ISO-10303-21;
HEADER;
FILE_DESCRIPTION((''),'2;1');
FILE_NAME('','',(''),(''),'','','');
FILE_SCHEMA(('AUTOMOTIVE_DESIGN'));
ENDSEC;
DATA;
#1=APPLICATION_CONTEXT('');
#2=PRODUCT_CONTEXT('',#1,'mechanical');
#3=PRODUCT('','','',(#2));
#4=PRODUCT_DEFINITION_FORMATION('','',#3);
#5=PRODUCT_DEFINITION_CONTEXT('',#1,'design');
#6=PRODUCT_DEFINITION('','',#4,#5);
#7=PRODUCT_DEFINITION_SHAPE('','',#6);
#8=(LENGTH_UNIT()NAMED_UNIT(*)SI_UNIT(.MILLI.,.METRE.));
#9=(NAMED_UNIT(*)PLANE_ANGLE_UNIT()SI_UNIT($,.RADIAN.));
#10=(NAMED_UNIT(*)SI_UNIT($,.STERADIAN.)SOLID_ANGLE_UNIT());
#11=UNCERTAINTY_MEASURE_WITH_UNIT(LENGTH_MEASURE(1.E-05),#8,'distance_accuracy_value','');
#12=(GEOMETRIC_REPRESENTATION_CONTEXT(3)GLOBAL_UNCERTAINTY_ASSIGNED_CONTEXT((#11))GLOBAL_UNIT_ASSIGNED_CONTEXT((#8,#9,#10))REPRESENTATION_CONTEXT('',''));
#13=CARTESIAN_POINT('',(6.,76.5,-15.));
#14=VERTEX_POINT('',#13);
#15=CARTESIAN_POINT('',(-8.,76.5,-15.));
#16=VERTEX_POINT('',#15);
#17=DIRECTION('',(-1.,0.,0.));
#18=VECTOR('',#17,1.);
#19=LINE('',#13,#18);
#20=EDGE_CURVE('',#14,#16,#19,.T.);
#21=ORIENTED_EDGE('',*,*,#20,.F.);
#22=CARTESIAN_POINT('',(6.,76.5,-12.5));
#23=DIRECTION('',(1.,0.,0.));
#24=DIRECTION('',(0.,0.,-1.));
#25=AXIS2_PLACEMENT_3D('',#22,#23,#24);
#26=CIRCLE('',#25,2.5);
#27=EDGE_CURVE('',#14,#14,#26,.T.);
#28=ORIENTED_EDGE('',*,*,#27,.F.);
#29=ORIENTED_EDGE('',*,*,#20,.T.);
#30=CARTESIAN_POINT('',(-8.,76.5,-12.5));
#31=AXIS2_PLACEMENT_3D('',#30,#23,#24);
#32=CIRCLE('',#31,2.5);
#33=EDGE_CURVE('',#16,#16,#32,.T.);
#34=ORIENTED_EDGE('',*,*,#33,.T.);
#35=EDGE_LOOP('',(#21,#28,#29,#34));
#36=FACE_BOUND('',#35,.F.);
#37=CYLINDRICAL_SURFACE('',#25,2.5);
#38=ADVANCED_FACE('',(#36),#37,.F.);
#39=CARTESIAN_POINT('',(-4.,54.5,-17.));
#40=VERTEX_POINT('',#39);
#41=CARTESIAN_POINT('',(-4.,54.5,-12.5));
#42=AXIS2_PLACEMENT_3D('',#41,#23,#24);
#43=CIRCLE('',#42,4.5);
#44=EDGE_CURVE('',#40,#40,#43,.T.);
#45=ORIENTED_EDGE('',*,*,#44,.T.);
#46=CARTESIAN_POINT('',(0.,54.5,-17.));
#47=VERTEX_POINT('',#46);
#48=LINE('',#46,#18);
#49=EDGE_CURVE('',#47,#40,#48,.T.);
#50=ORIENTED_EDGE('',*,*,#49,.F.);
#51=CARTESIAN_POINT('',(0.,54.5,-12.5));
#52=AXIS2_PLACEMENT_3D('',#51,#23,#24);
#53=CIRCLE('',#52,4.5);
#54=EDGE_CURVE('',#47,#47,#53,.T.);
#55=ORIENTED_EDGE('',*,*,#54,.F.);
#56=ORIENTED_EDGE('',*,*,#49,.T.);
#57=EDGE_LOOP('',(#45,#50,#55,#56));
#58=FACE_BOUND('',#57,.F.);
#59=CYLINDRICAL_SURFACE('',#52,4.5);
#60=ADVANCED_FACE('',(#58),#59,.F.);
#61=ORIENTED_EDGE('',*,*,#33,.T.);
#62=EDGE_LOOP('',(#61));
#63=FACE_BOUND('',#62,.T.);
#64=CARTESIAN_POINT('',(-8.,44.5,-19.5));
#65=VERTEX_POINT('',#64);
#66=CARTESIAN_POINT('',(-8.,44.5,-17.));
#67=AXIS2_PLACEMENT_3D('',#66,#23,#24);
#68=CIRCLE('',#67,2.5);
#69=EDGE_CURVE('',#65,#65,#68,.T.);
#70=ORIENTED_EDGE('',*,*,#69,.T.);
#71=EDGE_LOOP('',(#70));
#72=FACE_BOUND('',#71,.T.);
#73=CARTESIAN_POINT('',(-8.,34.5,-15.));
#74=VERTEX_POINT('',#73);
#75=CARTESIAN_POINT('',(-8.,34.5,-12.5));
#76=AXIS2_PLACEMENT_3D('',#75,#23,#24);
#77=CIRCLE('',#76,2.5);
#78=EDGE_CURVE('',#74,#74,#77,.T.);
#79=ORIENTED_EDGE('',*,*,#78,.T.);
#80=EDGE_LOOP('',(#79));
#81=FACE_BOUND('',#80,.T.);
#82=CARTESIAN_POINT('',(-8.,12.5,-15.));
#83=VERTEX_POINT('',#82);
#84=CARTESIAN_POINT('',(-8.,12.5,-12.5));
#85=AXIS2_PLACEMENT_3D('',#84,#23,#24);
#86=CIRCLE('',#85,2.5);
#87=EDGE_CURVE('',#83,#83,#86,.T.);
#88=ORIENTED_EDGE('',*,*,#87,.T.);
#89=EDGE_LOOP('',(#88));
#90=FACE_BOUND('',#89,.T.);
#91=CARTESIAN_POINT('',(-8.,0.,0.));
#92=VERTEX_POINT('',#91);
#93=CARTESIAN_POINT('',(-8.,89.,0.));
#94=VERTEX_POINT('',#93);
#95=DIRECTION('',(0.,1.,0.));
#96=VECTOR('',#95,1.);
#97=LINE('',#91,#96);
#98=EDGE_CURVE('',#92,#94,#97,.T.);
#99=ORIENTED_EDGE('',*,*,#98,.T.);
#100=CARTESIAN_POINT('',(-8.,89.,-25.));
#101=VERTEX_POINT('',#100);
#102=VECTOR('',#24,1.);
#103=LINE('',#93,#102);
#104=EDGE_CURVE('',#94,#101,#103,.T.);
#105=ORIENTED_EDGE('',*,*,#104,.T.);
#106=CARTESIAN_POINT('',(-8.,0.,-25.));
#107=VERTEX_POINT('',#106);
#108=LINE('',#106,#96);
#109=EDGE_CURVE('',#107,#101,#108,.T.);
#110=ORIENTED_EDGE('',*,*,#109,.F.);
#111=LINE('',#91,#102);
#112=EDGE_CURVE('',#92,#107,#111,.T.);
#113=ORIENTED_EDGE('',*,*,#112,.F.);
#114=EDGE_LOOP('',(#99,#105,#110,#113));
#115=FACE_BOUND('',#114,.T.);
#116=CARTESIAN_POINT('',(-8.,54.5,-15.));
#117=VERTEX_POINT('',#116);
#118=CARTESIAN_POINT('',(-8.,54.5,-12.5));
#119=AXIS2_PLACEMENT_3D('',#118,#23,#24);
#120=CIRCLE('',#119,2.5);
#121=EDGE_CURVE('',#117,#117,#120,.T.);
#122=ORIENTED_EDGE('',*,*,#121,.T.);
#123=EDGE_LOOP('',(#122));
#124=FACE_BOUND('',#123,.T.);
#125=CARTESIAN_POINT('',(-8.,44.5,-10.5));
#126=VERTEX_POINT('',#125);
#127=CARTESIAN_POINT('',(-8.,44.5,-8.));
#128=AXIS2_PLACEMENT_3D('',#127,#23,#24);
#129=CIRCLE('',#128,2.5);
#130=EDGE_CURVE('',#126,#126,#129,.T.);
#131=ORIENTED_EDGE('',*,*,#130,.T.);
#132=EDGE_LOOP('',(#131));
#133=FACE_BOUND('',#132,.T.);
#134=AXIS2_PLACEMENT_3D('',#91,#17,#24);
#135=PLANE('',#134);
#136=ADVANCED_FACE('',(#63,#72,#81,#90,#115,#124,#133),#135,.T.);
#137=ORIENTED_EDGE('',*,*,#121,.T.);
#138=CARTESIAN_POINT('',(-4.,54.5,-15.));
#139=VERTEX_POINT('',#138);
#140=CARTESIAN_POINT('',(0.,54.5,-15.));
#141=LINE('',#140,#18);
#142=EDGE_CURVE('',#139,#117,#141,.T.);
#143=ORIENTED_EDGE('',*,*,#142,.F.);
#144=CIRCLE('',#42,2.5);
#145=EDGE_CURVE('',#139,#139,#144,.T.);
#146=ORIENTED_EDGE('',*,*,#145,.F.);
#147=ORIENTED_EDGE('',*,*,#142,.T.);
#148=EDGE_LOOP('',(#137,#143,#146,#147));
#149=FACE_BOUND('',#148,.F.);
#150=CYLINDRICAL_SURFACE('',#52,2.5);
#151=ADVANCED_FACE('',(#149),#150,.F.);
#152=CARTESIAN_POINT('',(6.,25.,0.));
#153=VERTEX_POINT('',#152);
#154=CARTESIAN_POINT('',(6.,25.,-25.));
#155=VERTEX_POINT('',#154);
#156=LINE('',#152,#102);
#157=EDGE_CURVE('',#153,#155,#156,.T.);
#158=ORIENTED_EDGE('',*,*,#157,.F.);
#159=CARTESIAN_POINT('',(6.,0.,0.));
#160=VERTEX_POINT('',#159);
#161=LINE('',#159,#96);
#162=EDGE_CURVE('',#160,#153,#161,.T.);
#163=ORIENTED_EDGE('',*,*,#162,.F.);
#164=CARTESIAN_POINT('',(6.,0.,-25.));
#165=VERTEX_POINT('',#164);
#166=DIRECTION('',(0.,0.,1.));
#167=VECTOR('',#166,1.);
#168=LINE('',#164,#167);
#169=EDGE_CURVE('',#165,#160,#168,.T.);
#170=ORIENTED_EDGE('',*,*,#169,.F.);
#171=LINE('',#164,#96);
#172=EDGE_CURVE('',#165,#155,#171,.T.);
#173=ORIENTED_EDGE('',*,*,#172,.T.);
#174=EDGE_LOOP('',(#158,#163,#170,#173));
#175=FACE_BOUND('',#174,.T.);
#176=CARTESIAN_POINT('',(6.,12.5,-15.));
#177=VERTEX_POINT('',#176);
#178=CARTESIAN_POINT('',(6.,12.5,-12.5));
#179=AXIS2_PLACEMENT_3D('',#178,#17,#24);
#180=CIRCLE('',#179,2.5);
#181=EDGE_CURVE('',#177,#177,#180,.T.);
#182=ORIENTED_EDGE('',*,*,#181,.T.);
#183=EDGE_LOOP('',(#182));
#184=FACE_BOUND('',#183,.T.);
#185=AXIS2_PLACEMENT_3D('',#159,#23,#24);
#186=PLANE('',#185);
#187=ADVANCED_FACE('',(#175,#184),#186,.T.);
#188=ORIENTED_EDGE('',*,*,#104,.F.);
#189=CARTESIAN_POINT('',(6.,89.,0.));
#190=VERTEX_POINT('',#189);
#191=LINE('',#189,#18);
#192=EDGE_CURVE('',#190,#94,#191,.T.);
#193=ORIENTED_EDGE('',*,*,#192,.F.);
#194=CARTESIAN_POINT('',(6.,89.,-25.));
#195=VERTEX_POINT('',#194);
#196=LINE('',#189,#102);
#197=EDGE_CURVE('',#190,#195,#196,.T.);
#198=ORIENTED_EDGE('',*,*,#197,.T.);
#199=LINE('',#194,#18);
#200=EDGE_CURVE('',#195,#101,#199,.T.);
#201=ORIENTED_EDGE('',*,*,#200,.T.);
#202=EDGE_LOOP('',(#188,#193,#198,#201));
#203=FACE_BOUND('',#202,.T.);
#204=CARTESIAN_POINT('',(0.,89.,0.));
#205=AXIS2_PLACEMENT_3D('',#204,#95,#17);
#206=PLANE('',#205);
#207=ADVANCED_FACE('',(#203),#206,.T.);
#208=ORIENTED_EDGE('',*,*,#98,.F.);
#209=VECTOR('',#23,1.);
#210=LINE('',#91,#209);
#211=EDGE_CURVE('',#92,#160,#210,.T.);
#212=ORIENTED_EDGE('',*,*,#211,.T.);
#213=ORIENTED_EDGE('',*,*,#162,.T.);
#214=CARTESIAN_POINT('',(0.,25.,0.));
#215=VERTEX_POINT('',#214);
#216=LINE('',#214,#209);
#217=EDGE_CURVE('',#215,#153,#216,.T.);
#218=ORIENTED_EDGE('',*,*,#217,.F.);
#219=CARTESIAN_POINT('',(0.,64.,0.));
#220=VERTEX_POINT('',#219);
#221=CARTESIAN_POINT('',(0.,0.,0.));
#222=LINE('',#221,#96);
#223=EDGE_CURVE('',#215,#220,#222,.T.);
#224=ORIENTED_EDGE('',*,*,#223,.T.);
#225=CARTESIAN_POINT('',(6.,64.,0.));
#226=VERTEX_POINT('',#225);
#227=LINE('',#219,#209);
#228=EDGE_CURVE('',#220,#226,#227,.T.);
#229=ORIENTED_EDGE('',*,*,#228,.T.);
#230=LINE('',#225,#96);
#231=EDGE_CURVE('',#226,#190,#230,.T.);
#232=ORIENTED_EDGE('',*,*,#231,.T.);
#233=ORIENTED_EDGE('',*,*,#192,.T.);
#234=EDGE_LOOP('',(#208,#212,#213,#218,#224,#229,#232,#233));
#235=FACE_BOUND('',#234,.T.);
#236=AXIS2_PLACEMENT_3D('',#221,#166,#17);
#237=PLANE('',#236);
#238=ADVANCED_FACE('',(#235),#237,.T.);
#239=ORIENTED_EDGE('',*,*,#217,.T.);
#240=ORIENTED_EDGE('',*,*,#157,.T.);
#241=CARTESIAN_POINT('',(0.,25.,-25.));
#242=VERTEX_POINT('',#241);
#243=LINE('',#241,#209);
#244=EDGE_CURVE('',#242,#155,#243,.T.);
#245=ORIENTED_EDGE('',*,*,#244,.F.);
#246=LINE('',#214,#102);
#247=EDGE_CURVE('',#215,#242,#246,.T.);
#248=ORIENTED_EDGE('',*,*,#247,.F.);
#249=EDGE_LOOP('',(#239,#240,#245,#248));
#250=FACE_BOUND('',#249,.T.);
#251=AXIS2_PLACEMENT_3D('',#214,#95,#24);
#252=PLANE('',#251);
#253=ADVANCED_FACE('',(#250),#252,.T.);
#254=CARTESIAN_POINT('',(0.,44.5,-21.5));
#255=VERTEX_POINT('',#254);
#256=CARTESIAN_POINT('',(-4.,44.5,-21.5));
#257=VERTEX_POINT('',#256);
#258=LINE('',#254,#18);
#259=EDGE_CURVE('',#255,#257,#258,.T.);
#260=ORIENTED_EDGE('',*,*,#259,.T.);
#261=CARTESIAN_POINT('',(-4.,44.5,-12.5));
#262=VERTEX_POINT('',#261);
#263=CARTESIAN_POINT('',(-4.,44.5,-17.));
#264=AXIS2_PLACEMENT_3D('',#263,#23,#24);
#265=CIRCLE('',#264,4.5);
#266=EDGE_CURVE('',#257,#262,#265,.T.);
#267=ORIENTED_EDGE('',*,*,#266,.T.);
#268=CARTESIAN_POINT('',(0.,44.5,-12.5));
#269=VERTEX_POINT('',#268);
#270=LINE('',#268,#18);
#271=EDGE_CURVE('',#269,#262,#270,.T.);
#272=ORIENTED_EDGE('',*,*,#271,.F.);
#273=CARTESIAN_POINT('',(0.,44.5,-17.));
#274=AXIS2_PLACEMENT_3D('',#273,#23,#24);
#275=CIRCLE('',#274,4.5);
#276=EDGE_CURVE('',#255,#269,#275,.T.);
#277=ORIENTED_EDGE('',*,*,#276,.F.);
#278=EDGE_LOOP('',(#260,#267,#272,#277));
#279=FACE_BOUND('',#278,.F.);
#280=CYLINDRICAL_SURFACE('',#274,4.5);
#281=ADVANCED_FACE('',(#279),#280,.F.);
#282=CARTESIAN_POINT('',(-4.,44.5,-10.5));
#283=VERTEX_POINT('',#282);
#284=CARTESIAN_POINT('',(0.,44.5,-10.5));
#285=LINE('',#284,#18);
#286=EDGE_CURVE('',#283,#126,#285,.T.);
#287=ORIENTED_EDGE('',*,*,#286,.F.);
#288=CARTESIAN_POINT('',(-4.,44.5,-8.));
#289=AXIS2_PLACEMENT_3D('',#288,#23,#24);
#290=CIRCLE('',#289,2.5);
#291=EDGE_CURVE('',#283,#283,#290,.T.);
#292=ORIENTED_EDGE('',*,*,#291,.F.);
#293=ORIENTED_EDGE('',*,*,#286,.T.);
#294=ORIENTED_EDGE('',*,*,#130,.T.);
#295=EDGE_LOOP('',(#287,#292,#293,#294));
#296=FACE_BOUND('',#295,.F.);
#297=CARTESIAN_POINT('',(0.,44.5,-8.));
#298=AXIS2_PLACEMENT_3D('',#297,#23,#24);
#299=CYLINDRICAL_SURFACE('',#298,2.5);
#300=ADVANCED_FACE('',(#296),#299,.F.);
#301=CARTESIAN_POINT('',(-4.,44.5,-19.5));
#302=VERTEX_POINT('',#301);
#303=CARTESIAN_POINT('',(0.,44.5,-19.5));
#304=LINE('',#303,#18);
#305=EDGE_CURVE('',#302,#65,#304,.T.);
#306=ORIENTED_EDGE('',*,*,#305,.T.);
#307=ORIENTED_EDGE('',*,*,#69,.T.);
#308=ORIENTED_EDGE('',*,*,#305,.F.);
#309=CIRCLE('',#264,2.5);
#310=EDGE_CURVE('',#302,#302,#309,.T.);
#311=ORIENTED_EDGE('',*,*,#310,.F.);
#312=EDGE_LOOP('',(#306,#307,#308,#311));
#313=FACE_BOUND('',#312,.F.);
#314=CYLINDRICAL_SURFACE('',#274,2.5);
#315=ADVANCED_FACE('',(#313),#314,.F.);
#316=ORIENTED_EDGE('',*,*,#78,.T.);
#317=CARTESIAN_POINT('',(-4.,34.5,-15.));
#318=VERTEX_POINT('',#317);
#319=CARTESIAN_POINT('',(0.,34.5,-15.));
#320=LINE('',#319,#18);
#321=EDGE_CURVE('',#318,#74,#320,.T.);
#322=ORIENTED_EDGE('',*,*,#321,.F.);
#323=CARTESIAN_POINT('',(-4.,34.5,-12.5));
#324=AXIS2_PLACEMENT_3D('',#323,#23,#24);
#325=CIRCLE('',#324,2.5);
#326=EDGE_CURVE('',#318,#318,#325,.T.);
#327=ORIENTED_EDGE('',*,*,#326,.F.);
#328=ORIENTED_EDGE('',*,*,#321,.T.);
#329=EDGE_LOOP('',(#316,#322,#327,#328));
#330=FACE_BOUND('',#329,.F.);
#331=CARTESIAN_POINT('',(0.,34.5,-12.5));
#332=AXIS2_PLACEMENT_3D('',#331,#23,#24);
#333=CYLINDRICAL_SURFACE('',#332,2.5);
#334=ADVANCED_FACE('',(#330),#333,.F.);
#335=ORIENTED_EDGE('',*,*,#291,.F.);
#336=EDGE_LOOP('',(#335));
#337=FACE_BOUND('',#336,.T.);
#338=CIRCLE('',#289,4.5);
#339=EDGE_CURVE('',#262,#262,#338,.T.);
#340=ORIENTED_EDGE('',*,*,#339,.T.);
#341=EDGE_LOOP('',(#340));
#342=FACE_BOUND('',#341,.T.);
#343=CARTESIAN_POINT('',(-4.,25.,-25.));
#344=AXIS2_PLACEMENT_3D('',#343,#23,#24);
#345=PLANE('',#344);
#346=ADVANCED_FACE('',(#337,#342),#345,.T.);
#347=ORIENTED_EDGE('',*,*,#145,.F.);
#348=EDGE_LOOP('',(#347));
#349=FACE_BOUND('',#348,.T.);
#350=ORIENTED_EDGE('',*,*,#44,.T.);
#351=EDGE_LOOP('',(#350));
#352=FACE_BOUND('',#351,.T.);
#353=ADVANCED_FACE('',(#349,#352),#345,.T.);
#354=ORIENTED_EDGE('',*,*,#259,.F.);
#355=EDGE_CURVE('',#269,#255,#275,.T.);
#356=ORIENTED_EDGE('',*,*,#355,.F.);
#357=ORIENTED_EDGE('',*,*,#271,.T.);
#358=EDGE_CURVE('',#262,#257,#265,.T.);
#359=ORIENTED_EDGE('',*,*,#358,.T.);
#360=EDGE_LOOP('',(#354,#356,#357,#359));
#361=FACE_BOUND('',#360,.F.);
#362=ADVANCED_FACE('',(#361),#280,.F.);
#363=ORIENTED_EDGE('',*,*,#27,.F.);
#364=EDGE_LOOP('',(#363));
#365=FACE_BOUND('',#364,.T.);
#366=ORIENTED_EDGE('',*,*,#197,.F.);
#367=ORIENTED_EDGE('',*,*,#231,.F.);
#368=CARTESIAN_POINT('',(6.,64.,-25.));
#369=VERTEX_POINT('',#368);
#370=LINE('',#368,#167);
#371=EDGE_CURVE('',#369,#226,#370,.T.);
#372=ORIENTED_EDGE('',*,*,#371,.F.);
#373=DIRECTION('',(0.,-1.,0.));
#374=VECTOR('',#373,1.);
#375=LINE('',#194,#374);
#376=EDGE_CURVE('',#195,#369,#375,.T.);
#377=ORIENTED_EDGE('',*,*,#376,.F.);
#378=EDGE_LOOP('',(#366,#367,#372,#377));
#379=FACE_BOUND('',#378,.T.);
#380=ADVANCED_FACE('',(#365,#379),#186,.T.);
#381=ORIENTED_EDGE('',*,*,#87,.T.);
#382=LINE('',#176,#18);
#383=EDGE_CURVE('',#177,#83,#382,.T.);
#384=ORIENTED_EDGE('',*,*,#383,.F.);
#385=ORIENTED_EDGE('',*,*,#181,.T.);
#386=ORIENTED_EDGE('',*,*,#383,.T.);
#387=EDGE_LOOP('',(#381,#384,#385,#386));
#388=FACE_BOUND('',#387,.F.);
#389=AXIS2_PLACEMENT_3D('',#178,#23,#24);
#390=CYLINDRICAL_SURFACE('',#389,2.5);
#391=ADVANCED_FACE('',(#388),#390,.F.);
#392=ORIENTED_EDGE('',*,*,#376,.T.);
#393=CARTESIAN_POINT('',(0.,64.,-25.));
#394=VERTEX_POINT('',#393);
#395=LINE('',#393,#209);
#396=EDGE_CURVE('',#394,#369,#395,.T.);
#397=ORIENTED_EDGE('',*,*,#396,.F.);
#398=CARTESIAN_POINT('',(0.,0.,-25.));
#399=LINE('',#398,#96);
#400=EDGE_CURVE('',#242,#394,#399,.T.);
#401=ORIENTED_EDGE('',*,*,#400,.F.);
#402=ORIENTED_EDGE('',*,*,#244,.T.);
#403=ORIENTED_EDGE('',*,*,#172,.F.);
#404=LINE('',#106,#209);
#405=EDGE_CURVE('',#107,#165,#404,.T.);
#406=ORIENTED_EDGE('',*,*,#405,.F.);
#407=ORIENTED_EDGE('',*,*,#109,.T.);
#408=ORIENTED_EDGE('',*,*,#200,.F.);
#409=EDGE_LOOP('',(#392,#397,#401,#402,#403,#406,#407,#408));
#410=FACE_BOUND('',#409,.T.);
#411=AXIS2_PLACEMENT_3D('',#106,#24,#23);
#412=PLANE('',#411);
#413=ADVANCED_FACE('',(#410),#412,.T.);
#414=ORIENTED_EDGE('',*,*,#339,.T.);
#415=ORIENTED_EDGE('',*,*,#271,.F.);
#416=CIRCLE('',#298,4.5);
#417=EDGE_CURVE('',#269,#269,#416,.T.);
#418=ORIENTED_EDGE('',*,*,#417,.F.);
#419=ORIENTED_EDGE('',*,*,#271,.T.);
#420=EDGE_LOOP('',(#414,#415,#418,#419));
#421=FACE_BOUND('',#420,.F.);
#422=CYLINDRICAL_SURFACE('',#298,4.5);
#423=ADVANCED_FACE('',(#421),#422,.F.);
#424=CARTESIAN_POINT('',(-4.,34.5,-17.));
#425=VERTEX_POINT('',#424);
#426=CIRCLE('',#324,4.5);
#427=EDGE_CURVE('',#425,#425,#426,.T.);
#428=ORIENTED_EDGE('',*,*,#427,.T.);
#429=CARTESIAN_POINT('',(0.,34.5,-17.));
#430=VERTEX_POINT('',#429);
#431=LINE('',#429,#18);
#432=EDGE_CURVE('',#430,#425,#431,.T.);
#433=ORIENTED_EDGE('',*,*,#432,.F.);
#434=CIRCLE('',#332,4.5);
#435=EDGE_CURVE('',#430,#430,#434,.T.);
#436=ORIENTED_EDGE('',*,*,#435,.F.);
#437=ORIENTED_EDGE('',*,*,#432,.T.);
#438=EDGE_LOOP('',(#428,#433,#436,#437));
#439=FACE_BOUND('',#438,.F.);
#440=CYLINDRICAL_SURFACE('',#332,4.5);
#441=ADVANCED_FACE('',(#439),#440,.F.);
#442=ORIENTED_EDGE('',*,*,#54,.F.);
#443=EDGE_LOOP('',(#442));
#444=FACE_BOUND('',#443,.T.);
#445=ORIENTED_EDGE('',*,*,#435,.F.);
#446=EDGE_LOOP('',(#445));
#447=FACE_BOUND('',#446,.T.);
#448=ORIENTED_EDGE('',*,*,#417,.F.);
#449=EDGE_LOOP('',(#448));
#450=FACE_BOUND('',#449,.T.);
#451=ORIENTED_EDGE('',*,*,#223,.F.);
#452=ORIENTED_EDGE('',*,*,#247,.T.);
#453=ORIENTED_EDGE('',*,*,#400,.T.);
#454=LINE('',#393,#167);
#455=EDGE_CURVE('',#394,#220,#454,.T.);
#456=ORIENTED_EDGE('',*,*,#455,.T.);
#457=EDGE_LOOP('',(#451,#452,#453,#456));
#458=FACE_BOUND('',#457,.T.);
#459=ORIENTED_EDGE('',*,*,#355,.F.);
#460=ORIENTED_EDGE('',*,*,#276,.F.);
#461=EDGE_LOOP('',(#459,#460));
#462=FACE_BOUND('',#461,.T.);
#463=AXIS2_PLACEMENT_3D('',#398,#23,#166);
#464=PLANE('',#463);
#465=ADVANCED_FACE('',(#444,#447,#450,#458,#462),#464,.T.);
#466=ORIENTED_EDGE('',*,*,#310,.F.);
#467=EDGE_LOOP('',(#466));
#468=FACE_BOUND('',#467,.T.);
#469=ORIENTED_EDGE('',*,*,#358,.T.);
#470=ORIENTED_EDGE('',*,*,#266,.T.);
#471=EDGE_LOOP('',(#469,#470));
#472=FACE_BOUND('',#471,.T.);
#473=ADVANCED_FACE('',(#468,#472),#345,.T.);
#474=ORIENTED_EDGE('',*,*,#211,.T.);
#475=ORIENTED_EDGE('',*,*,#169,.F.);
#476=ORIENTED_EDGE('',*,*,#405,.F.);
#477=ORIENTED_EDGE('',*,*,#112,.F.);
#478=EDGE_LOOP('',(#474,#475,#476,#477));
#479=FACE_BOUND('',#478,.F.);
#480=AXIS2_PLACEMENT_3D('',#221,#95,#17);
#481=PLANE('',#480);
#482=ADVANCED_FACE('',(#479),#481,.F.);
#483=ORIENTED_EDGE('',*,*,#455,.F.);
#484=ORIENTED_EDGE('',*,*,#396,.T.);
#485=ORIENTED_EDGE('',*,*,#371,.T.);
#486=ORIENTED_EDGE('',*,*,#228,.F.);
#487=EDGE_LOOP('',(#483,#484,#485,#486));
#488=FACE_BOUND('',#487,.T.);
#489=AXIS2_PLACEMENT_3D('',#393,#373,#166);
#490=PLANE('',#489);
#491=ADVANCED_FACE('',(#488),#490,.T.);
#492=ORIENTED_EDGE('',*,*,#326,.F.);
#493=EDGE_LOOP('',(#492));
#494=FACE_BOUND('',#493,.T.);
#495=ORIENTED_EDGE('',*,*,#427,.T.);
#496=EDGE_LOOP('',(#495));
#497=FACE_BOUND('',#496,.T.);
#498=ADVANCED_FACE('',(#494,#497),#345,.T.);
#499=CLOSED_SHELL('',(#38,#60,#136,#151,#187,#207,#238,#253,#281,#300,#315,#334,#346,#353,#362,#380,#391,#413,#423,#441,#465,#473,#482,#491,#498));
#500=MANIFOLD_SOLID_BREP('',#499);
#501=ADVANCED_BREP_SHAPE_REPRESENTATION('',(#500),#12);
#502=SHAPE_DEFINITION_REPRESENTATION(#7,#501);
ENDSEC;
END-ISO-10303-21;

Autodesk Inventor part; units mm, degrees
ref_plane "YZ Plane" through (0, 0, 0) normal (1, 0, 0) x (0, 1, 0)
ref_plane "XZ Plane" through (0, 0, 0) normal (0, 1, 0) x (-1, 0, 0)
ref_plane "XY Plane" through (0, 0, 0) normal (0, 0, 1) x (1, 0, 0)
sketch "Sketch1" plane through (0, 0, 0) normal (0, 1, 0) x (-1, 0, 0)
  line L0 (0, 0) -> (8, 0)
  line L1 (8, 0) -> (8, -25)
  line L2 (8, -25) -> (0, -25)
  line L3 (0, -25) -> (0, 0)
  dimension "d0" = 8
  dimension "d1" = 25
extrude "Extrusion1" add sketch "Sketch1" along normal blind 89
sketch "Sketch2" plane through (0, 0, 0) normal (1, 0, 0) x (0, 0, -1)
  line L0 (0, 89) -> (25, 89) projected
  line L1 (0, 89) -> (25, 89)
  line L2 (25, 89) -> (25, 64)
  line L3 (25, 64) -> (0, 64)
  line L4 (0, 64) -> (0, 89)
  line L5 (25, 0) -> (25, 89) projected
  line L6 (25, 0) -> (0, 0)
  line L7 (0, 0) -> (0, 25)
  line L8 (0, 25) -> (25, 25)
  line L9 (25, 25) -> (25, 0)
  dimension "d4" = 25
  dimension "d5" = 25
  dimension "d6" = 25
  dimension "d7" = 25
extrude "Extrusion2" add sketch "Sketch2" along normal blind 6
sketch "Sketch3" plane through (6, 0, 0) normal (1, 0, 0) x (0, 0, -1)
  line L0 (0, 0) -> (25, 0) projected
  line L1 (0, 0) -> (12.5, 0)
  line L2 (12.5, 0) -> (12.5, 12.5)
  circle A0 centre (12.5, 12.5) radius 2.5
  circle A1 centre (12.5, 76.5) radius 2.5
  line L3 (25, 89) -> (0, 89) projected
  line L4 (0, 89) -> (0, 64) projected
  dimension "d10" = 12.5
  dimension "d11" = 5
  dimension "d12" = 5
  dimension "d13" = 12.5
  dimension "d14" = 12.5
sketch "Sketch4" plane through (0, 25, -25) normal (1, 0, 0) x (0, 0, -1)
  circle A0 centre (-17, 19.5) radius 2.5
  line L0 (-25, -25) -> (0, -25) projected
  line L1 (-25, 0) -> (-25, 39) projected
  circle A1 centre (-8, 19.5) radius 2.5
  line L2 (0, 0) -> (0, 39) projected
  circle A2 centre (-12.5, 9.5) radius 2.5
  circle A3 centre (-12.5, 29.5) radius 2.5
  dimension "d15" = 5
  dimension "d16" = 44.5
  dimension "d17" = 8
  dimension "d18" = 5
  dimension "d19" = 8
  dimension "d20" = 44.5
  dimension "d21" = 5
  dimension "d22" = 5
  dimension "d23" = 10
  dimension "d24" = 4.5
  dimension "d25" = 10
  dimension "d26" = 4.5
extrude "Extrusion3" cut sketch "Sketch3" against normal up to next
extrude "Extrusion4" cut sketch "Sketch4" against normal up to next
sketch "Sketch5" plane through (0, 25, -25) normal (1, 0, 0) x (0, 0, -1)
  circle A0 centre (-12.5, 29.5) radius 2.5 projected
  circle A1 centre (-12.5, 29.5) radius 4.5
  circle A2 centre (-17, 19.5) radius 2.5 projected
  circle A3 centre (-17, 19.5) radius 4.5
  circle A4 centre (-8, 19.5) radius 2.5 projected
  circle A5 centre (-8, 19.5) radius 4.5
  circle A6 centre (-12.5, 9.5) radius 2.5 projected
  circle A7 centre (-12.5, 9.5) radius 4.5
  point P0 (-25, -25)
  dimension "d31" = 9
  dimension "d32" = 9
  dimension "d33" = 9
  dimension "d34" = 9
extrude "Extrusion5" cut sketch "Sketch5" against normal blind 4
properties part number "Back_Bracket_40mm" material "ABS Plastic"
